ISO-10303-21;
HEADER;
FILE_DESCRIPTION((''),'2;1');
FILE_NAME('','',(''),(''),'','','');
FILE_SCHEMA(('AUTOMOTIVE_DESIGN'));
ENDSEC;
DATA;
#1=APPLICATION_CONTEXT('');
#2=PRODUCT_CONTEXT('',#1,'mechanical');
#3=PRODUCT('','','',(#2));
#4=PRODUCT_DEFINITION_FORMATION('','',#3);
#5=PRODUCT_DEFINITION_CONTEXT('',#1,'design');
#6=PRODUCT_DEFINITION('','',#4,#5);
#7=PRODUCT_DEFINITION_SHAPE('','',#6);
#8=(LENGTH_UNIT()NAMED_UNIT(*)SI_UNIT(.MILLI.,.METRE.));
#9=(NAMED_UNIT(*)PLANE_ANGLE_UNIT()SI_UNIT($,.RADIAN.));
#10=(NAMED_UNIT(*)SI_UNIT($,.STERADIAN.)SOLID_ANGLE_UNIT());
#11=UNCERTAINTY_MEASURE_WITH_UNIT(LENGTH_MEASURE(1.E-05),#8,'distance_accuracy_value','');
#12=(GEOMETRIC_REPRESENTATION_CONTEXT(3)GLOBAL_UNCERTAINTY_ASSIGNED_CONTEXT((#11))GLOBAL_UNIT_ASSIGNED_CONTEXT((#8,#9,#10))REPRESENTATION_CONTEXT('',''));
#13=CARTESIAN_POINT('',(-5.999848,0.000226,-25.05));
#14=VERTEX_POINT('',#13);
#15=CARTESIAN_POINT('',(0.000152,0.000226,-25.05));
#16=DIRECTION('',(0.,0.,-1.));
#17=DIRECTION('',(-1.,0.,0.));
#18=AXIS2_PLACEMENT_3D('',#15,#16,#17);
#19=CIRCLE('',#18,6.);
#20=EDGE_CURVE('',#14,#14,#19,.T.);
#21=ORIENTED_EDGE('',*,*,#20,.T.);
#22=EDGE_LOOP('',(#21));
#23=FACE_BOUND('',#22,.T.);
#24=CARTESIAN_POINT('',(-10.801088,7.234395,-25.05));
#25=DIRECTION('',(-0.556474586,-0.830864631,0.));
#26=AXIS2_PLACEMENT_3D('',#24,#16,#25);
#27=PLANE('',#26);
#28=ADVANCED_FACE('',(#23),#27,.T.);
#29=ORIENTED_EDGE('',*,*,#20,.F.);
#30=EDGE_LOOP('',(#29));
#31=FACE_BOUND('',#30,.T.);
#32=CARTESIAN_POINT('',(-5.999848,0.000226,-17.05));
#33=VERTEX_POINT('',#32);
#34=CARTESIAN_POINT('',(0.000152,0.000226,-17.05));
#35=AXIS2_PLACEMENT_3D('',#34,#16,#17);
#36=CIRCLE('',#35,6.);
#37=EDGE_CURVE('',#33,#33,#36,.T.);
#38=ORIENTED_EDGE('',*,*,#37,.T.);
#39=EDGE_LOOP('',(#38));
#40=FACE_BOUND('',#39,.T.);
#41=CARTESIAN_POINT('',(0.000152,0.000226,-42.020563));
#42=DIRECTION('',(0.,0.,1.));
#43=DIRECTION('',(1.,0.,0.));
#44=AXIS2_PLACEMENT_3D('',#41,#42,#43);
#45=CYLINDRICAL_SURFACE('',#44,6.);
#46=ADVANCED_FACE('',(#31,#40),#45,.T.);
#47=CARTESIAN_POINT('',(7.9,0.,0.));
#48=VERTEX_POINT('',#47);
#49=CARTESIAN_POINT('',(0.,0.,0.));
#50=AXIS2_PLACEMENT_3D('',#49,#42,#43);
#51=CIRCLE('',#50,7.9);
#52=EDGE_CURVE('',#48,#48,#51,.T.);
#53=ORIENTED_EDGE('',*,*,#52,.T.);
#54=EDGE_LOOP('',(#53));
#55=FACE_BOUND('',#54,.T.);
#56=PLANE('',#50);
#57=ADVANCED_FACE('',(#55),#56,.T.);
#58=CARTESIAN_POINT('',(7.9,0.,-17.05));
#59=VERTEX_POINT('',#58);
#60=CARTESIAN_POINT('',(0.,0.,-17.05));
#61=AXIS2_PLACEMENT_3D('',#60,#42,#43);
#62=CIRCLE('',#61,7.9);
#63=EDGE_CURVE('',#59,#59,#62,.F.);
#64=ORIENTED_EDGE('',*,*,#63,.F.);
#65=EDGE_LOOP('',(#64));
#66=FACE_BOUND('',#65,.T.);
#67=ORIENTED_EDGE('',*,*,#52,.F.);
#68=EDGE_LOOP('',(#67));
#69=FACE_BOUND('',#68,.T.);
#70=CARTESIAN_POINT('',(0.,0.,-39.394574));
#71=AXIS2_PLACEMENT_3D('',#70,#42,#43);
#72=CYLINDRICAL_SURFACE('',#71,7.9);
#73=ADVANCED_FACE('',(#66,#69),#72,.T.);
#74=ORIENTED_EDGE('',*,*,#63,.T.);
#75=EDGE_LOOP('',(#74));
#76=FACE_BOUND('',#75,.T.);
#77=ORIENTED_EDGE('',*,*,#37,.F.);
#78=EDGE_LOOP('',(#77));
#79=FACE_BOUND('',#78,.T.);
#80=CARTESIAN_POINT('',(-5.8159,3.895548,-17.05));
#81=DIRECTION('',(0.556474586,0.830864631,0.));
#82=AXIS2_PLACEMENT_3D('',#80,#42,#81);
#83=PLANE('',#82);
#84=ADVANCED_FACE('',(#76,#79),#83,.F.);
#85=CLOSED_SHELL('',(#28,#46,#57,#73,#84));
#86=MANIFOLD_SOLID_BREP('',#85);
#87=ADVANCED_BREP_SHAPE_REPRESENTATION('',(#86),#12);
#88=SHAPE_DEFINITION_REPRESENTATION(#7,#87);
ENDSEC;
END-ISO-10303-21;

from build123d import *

# Parameters (mm, degrees)
SKETCH_1_R      = 7.9
EXTRUDE_1_DEPTH = 17.05
SKETCH_2_R      = 6
EXTRUDE_2_DEPTH = 8


with BuildPart() as part:
    # Эскиз1 → Бобышка-Вытянуть1 (new body)
    with BuildSketch(Plane.XY):
        Circle(SKETCH_1_R)
    extrude(amount=-EXTRUDE_1_DEPTH)

    # Эскиз2 → Бобышка-Вытянуть2 (add)
    with BuildSketch(Plane(origin=(0, 0, -17.05), x_dir=(-1, 0, 0), z_dir=(0, 0, -1))):
        with Locations((-0.000152147, 0.000225784)):
            Circle(SKETCH_2_R)
    extrude(amount=EXTRUDE_2_DEPTH)


solid = part.part
